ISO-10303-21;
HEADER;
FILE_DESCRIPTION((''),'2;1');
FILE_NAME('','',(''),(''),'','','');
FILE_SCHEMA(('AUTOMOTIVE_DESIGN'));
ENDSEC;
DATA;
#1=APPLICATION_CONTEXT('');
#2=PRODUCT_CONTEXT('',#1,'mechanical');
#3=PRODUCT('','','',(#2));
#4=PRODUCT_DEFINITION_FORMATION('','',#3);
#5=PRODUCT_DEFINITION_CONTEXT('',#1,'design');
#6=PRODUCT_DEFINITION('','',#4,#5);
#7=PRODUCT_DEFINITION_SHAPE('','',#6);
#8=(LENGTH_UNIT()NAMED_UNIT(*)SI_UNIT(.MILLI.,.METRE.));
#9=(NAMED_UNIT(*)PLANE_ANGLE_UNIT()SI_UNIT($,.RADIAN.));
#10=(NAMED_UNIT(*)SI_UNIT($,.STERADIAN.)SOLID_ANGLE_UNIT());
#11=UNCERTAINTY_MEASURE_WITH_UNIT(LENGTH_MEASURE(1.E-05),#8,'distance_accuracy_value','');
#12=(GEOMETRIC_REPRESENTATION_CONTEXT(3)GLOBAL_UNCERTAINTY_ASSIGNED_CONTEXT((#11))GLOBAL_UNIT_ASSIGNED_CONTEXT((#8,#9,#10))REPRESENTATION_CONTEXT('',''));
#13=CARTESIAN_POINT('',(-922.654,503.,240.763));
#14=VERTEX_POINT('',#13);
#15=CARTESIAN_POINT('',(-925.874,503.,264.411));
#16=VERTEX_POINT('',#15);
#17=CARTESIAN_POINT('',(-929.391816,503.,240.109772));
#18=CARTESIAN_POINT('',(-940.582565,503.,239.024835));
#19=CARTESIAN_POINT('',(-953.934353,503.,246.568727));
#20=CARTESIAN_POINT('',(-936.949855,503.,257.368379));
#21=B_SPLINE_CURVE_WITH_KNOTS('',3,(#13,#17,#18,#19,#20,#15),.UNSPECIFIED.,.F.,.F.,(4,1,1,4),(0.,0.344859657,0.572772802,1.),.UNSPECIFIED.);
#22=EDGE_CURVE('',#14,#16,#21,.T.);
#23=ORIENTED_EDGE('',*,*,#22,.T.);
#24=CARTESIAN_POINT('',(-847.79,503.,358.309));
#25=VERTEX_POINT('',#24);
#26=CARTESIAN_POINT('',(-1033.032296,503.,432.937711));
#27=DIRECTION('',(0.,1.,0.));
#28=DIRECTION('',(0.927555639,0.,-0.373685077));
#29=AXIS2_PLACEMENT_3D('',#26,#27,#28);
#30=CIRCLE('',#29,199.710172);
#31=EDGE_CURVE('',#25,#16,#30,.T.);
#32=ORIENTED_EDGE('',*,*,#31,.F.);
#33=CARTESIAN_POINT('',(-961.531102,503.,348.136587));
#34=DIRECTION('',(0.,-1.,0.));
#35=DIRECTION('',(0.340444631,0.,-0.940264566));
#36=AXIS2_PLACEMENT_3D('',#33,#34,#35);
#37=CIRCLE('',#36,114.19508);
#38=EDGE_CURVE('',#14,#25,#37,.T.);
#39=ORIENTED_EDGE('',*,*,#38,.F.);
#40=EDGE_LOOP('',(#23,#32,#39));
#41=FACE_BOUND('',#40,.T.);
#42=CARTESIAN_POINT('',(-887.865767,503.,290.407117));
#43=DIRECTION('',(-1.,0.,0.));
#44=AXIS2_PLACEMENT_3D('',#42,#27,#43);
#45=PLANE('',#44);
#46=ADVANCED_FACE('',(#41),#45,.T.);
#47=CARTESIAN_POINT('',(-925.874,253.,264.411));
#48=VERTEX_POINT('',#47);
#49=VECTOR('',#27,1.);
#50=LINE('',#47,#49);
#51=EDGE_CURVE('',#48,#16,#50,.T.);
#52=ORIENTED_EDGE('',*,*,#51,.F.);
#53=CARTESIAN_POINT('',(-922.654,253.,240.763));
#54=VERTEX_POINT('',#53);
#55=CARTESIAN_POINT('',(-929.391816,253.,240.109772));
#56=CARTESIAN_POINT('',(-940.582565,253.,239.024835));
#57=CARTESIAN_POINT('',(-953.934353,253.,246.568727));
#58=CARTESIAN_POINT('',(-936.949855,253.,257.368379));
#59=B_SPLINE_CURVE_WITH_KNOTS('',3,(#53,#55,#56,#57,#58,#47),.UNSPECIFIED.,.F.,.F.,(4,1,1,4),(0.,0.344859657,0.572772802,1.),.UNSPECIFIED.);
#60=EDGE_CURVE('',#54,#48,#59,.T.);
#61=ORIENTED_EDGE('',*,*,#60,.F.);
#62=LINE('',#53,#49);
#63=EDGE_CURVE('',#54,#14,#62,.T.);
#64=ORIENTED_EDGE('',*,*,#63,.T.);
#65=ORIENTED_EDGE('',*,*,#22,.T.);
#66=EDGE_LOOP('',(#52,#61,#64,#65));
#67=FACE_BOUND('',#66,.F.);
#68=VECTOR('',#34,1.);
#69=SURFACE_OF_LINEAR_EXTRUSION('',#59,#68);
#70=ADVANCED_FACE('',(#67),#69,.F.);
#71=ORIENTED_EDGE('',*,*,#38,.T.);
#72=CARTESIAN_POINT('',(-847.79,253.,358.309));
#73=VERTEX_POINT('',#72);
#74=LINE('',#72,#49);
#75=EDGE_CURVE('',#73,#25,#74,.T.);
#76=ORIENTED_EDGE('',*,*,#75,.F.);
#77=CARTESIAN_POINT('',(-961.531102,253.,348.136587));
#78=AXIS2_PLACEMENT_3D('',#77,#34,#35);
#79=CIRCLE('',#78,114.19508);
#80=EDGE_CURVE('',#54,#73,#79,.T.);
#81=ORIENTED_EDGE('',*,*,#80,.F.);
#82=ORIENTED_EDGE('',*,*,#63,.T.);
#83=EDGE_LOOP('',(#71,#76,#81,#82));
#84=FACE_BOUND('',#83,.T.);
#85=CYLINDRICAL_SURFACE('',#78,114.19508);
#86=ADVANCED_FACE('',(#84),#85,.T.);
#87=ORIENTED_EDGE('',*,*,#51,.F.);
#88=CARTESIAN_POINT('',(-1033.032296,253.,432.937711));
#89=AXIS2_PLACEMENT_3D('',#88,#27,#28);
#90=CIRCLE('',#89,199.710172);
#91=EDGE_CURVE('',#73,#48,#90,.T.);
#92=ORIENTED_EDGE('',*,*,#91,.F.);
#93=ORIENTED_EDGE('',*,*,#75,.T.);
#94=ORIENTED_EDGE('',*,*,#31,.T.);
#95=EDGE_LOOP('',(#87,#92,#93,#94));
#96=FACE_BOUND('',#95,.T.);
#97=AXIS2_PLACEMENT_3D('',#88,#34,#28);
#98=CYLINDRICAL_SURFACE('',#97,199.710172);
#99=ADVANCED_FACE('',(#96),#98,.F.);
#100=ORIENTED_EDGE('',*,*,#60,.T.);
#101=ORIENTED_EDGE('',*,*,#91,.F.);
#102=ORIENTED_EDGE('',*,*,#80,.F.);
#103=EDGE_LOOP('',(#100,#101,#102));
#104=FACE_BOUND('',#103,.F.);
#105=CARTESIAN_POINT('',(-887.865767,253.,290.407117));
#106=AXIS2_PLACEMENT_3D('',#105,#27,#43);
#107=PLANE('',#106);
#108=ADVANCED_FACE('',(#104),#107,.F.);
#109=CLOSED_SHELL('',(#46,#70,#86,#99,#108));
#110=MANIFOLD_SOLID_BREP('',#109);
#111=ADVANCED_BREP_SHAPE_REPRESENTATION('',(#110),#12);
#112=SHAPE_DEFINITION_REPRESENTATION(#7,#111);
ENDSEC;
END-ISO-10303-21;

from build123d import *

# Parameters (mm, degrees)
F2_DEPTH = 250


with BuildPart() as f2:
    # F1 (on offset) → F2 (new body)
    with BuildSketch(Plane.XZ.offset(-253)):
        with BuildLine():
            add(Edge.make_bspline(
                [(-922.654, 240.763), (-929.3918160748, 240.1097722886), (-940.5825648962, 239.0248350982), (-953.9343532769, 246.5687266777), (-936.94985514, 257.368378949), (-925.874, 264.411)],
                knots=[0, 0, 0, 0, 0.3448596566, 0.5727728025, 1, 1, 1, 1], degree=3))
            ThreePointArc((-922.654, 240.763), (-865.2121288575, 286.7918913684), (-847.79, 358.309))
            ThreePointArc((-847.79, 358.309), (-879.4786078216, 305.2450425477), (-925.874, 264.411))
        make_face()
    extrude(amount=-F2_DEPTH)


solid = f2.part
